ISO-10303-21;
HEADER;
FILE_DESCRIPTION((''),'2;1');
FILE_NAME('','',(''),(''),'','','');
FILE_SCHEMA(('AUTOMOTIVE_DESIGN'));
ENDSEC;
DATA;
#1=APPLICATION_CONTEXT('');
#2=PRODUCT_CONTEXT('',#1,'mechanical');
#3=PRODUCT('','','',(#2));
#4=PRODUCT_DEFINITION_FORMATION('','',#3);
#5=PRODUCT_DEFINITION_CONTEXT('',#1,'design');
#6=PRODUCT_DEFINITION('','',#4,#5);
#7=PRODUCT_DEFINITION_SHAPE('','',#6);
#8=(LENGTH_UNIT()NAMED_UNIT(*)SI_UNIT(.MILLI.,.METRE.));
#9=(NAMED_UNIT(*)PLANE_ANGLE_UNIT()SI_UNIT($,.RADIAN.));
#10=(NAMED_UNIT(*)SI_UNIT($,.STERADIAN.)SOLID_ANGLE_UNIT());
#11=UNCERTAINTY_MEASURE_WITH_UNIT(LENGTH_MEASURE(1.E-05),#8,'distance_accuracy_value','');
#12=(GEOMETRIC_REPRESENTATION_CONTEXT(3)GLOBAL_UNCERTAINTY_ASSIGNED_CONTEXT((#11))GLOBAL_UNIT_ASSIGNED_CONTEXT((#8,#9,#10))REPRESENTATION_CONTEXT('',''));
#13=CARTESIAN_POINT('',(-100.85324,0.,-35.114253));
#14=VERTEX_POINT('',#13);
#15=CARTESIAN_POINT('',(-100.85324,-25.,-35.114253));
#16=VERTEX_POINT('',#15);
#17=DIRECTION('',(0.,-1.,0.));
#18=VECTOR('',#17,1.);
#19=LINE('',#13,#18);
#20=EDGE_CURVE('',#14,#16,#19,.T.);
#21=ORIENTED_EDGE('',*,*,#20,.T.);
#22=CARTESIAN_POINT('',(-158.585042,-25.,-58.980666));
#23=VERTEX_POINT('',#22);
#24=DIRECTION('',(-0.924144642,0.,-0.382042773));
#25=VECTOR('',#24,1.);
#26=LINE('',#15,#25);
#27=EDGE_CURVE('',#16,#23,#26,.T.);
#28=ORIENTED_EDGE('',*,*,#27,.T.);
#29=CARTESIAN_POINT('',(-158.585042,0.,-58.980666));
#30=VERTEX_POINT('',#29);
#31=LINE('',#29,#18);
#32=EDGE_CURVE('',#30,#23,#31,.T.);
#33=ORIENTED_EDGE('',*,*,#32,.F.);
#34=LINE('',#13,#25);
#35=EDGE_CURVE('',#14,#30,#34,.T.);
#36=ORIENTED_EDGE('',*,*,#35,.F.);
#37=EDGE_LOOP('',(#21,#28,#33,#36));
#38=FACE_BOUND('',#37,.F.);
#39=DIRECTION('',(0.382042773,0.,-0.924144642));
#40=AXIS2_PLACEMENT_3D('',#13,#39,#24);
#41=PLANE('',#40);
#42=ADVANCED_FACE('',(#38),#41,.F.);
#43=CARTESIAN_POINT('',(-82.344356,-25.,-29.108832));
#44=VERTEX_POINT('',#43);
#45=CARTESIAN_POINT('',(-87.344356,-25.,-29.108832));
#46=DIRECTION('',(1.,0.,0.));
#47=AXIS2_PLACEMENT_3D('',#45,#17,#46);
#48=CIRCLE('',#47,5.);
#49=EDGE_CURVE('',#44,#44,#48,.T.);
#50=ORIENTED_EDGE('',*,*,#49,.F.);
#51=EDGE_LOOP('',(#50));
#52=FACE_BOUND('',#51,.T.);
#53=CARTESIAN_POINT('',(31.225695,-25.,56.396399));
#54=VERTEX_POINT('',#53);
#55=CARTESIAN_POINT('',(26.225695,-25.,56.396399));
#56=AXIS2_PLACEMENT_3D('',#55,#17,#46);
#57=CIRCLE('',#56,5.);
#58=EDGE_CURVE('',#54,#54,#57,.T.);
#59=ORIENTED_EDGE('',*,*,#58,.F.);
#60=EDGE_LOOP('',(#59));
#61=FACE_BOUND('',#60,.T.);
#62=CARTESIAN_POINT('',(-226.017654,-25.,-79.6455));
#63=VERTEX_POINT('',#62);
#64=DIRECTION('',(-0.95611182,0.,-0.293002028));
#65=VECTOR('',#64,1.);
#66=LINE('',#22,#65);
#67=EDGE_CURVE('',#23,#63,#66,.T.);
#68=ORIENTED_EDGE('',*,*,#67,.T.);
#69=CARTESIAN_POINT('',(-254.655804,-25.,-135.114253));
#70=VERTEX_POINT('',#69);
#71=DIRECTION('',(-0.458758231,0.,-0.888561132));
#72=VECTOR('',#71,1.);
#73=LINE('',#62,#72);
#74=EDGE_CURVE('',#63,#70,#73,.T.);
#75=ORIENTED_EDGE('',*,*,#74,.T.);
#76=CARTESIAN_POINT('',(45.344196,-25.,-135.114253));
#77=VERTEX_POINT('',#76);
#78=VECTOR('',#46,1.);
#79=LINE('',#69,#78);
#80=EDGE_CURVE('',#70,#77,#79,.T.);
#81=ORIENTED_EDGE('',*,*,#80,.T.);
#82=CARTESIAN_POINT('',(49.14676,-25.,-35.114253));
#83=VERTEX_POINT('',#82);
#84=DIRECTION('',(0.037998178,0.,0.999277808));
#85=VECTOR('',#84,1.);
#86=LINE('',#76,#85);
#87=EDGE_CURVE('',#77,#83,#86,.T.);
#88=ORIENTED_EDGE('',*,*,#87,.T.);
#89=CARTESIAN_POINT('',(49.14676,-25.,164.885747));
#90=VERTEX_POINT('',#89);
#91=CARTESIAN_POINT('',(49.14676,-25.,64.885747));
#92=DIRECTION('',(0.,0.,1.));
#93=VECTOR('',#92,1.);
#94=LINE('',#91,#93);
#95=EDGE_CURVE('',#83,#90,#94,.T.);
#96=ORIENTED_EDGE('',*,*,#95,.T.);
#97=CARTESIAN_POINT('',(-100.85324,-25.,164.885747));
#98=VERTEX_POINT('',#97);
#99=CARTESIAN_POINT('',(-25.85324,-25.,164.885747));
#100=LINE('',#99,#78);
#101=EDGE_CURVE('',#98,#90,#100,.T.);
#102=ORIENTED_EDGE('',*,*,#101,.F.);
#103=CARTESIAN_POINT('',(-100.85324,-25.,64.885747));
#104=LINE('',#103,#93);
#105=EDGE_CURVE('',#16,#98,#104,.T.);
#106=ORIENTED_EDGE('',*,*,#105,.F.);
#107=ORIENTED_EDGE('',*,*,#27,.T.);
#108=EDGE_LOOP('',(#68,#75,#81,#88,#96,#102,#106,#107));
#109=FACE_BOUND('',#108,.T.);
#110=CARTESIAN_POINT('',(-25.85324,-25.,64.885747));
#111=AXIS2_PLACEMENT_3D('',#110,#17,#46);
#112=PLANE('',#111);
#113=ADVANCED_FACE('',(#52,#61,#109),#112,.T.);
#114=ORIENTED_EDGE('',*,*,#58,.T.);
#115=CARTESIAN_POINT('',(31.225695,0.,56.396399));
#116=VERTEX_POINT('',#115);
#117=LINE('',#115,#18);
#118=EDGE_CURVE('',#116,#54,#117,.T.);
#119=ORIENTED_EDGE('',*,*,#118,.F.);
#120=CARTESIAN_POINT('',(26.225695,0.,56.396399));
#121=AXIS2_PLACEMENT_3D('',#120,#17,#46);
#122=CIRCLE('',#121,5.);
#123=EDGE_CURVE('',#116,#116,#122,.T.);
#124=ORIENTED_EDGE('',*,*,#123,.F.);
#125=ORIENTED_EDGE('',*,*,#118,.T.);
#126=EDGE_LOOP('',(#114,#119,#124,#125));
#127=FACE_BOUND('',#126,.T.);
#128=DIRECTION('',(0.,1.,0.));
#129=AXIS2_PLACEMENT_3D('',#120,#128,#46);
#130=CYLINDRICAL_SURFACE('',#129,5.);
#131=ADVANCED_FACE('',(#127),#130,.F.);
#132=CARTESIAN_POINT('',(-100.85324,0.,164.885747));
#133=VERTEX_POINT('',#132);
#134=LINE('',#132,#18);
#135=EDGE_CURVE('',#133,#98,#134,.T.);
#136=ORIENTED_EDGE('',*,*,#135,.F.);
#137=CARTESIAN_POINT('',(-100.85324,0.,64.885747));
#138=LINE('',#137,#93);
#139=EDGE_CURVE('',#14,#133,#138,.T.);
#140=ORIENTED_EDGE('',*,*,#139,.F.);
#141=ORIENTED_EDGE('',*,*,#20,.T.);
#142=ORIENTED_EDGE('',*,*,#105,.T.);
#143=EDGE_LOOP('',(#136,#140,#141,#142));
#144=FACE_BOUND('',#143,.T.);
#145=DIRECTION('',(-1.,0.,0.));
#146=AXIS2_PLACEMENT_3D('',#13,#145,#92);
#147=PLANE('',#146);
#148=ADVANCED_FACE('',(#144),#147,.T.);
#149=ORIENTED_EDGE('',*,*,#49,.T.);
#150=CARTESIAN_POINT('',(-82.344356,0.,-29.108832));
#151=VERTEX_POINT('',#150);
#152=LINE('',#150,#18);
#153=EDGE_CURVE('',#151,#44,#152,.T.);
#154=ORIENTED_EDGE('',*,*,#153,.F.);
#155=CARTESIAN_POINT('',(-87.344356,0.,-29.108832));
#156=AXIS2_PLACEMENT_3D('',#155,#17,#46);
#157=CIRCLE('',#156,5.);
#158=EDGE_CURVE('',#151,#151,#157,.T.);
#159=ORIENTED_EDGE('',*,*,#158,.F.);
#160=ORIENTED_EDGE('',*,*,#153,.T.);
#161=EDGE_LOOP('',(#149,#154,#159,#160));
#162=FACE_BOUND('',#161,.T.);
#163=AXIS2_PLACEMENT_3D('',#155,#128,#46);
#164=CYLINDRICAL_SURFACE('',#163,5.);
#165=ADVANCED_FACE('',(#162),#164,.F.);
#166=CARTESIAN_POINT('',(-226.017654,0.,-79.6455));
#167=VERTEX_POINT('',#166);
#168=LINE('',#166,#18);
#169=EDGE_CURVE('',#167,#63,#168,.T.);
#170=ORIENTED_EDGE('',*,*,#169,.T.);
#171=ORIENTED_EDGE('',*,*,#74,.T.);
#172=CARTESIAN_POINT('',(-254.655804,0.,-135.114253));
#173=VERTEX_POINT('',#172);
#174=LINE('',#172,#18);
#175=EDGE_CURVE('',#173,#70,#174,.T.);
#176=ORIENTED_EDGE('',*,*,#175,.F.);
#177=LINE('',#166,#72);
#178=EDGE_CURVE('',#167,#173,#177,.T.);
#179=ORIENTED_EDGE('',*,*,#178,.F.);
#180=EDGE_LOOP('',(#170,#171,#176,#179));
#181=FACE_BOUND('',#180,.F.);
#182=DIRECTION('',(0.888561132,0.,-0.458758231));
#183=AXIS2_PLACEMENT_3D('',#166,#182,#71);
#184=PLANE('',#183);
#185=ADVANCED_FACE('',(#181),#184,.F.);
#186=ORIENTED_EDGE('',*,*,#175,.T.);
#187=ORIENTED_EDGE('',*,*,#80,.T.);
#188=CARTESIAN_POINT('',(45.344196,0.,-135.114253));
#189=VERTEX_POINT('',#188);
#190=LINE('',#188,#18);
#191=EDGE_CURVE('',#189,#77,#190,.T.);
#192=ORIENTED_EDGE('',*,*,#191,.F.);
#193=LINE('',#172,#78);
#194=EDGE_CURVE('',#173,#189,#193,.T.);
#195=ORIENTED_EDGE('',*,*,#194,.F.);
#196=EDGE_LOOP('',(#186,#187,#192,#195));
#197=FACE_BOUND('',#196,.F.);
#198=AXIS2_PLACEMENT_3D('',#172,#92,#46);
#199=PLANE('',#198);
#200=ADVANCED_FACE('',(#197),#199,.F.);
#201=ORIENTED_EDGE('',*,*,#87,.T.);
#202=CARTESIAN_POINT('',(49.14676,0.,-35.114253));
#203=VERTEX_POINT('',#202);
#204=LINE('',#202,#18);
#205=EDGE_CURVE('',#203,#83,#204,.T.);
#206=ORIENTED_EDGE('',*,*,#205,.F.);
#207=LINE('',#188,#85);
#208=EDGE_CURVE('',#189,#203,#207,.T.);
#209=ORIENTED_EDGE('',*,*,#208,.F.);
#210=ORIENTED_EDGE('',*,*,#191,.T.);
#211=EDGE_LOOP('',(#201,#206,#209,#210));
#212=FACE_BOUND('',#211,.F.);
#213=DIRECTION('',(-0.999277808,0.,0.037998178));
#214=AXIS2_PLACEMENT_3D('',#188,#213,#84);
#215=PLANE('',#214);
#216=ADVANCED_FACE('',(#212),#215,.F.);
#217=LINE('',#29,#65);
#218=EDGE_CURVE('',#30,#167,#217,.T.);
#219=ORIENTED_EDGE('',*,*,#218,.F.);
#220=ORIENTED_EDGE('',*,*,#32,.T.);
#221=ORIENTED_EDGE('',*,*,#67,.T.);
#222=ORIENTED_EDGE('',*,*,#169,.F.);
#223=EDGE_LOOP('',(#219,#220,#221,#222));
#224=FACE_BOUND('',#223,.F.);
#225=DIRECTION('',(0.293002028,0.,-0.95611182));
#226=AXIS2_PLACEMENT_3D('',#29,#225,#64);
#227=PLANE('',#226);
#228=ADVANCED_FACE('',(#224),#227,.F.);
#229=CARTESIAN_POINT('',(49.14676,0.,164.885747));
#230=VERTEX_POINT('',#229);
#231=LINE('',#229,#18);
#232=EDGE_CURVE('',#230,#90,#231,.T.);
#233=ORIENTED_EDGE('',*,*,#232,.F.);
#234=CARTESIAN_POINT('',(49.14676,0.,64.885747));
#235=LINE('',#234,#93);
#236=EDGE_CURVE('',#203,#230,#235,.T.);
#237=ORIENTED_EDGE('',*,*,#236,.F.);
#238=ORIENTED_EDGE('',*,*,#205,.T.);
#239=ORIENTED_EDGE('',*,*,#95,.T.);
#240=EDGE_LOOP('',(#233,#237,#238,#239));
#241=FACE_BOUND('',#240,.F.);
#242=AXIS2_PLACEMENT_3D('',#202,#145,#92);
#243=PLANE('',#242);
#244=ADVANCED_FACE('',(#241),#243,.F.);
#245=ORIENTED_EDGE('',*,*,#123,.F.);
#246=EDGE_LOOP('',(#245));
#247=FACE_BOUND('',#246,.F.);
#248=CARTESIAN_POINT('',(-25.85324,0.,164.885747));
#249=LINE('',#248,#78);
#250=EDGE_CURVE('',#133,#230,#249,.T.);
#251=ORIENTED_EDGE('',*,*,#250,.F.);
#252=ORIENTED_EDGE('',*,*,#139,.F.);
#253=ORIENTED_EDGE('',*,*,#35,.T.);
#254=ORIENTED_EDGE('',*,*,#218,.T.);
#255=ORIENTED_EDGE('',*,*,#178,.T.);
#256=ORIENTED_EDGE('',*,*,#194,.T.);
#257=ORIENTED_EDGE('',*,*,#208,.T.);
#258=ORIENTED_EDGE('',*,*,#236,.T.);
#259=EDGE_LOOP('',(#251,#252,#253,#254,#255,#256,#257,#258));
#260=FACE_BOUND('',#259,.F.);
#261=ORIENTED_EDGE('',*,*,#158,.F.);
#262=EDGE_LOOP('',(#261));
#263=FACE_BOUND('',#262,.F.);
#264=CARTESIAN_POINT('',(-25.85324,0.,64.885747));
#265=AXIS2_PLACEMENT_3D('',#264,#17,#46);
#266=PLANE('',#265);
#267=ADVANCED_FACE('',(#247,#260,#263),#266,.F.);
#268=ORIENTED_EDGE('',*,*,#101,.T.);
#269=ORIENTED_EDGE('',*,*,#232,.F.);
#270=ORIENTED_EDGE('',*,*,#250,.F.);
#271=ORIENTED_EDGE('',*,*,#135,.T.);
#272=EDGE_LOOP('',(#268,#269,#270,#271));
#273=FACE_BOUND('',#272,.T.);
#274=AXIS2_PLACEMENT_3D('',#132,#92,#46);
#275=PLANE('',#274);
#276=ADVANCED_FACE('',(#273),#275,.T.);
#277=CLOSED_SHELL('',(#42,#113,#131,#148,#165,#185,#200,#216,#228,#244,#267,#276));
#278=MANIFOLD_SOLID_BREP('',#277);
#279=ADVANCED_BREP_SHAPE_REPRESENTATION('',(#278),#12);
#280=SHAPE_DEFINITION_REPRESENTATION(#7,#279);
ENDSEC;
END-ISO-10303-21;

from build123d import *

# Parameters (mm, degrees)
F0_W     = 150
F0_H     = 200
F0_R     = 5
F1_DEPTH = 25


with BuildPart() as f1:
    # F0 (on Front) → F1 (new body)
    with BuildSketch(Plane.XZ):
        with Locations((-25.85324, 64.885747)):
            Rectangle(F0_W, F0_H)
        with Locations((-87.344356, -29.108832)):
            Circle(F0_R, mode=Mode.SUBTRACT)
        with Locations((26.225695, 56.396399)):
            Circle(F0_R, mode=Mode.SUBTRACT)
        Polygon((49.14676, -35.114253), (-100.85324, -35.114253), (-158.585042, -58.980666), (-226.017654, -79.6455), (-254.655804, -135.114253), (45.344196, -135.114253), align=None)
    extrude(amount=F1_DEPTH)


solid = f1.part
